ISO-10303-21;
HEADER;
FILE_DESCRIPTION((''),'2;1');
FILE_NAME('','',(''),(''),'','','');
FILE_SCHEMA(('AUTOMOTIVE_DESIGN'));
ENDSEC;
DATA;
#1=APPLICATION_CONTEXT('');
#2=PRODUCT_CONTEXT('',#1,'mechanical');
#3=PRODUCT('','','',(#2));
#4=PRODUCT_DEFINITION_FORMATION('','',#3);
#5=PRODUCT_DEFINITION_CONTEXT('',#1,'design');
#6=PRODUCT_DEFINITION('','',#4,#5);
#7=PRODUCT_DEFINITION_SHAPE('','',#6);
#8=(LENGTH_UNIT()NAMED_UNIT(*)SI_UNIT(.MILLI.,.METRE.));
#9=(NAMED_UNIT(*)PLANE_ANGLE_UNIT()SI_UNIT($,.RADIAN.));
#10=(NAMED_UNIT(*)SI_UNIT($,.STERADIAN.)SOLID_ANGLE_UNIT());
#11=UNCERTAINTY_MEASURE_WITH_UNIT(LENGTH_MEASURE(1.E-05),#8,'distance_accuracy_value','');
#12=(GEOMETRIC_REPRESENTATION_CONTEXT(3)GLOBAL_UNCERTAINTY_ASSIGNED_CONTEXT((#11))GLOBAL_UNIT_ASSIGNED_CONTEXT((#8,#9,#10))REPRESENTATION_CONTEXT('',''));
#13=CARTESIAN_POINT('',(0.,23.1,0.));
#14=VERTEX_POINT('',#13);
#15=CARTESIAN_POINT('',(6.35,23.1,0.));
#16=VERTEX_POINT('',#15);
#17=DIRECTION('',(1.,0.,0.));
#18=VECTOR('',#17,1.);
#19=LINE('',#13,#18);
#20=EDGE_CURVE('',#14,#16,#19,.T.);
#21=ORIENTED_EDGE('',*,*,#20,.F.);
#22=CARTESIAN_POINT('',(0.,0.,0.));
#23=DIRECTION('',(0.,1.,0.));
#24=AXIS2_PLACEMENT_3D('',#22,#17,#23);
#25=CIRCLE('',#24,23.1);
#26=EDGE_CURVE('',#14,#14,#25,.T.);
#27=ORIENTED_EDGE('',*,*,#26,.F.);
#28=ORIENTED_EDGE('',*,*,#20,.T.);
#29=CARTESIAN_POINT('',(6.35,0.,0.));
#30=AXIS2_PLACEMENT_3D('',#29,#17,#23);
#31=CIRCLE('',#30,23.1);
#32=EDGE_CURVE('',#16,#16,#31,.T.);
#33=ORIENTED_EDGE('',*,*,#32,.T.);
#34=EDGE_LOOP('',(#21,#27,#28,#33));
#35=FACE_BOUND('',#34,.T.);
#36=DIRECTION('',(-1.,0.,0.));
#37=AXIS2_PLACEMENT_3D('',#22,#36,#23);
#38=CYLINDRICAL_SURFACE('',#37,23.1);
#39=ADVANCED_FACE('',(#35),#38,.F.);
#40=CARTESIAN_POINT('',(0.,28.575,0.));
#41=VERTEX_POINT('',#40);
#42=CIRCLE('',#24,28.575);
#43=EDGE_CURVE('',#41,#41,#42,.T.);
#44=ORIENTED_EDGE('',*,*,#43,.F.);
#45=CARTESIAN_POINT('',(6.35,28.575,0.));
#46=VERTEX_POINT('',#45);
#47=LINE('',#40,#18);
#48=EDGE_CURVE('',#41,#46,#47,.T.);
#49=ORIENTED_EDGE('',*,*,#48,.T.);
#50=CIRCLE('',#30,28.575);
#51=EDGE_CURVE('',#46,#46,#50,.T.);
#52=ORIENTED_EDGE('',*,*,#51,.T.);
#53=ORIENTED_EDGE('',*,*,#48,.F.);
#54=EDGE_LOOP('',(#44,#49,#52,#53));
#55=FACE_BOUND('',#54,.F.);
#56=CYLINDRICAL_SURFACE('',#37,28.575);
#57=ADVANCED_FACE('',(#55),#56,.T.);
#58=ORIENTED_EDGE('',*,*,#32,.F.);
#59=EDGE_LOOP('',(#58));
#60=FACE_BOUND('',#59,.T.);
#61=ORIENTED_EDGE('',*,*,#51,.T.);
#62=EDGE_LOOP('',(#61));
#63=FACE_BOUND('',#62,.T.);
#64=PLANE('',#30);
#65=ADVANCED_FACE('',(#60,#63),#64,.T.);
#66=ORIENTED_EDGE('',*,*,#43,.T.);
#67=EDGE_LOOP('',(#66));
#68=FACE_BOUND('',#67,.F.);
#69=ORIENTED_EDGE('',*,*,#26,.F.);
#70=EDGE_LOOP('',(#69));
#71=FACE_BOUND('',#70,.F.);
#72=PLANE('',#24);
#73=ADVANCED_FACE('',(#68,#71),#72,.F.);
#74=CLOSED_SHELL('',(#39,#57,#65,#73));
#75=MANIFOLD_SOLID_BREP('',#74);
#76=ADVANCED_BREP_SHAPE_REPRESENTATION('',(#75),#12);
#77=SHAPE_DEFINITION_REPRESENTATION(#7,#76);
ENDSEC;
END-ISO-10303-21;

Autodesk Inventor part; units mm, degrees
ref_plane "YZ Plane" through (0, 0, 0) normal (1, 0, 0) x (0, 1, 0)
ref_plane "XZ Plane" through (0, 0, 0) normal (0, 1, 0) x (-1, 0, 0)
ref_plane "XY Plane" through (0, 0, 0) normal (0, 0, 1) x (1, 0, 0)
sketch "Sketch1" plane through (0, 0, 0) normal (1, 0, 0) x (0, 1, 0)
  circle A0 centre (0, 0) radius 23.1
  circle A1 centre (0, 0) radius 28.575
  dimension "d0" = 46.2
  dimension "d1" = 57.15
extrude "Extrusion1" add sketch "Sketch1" along normal blind 6.35
properties part number "Flywheel" material "Brass, Soft Yellow"
